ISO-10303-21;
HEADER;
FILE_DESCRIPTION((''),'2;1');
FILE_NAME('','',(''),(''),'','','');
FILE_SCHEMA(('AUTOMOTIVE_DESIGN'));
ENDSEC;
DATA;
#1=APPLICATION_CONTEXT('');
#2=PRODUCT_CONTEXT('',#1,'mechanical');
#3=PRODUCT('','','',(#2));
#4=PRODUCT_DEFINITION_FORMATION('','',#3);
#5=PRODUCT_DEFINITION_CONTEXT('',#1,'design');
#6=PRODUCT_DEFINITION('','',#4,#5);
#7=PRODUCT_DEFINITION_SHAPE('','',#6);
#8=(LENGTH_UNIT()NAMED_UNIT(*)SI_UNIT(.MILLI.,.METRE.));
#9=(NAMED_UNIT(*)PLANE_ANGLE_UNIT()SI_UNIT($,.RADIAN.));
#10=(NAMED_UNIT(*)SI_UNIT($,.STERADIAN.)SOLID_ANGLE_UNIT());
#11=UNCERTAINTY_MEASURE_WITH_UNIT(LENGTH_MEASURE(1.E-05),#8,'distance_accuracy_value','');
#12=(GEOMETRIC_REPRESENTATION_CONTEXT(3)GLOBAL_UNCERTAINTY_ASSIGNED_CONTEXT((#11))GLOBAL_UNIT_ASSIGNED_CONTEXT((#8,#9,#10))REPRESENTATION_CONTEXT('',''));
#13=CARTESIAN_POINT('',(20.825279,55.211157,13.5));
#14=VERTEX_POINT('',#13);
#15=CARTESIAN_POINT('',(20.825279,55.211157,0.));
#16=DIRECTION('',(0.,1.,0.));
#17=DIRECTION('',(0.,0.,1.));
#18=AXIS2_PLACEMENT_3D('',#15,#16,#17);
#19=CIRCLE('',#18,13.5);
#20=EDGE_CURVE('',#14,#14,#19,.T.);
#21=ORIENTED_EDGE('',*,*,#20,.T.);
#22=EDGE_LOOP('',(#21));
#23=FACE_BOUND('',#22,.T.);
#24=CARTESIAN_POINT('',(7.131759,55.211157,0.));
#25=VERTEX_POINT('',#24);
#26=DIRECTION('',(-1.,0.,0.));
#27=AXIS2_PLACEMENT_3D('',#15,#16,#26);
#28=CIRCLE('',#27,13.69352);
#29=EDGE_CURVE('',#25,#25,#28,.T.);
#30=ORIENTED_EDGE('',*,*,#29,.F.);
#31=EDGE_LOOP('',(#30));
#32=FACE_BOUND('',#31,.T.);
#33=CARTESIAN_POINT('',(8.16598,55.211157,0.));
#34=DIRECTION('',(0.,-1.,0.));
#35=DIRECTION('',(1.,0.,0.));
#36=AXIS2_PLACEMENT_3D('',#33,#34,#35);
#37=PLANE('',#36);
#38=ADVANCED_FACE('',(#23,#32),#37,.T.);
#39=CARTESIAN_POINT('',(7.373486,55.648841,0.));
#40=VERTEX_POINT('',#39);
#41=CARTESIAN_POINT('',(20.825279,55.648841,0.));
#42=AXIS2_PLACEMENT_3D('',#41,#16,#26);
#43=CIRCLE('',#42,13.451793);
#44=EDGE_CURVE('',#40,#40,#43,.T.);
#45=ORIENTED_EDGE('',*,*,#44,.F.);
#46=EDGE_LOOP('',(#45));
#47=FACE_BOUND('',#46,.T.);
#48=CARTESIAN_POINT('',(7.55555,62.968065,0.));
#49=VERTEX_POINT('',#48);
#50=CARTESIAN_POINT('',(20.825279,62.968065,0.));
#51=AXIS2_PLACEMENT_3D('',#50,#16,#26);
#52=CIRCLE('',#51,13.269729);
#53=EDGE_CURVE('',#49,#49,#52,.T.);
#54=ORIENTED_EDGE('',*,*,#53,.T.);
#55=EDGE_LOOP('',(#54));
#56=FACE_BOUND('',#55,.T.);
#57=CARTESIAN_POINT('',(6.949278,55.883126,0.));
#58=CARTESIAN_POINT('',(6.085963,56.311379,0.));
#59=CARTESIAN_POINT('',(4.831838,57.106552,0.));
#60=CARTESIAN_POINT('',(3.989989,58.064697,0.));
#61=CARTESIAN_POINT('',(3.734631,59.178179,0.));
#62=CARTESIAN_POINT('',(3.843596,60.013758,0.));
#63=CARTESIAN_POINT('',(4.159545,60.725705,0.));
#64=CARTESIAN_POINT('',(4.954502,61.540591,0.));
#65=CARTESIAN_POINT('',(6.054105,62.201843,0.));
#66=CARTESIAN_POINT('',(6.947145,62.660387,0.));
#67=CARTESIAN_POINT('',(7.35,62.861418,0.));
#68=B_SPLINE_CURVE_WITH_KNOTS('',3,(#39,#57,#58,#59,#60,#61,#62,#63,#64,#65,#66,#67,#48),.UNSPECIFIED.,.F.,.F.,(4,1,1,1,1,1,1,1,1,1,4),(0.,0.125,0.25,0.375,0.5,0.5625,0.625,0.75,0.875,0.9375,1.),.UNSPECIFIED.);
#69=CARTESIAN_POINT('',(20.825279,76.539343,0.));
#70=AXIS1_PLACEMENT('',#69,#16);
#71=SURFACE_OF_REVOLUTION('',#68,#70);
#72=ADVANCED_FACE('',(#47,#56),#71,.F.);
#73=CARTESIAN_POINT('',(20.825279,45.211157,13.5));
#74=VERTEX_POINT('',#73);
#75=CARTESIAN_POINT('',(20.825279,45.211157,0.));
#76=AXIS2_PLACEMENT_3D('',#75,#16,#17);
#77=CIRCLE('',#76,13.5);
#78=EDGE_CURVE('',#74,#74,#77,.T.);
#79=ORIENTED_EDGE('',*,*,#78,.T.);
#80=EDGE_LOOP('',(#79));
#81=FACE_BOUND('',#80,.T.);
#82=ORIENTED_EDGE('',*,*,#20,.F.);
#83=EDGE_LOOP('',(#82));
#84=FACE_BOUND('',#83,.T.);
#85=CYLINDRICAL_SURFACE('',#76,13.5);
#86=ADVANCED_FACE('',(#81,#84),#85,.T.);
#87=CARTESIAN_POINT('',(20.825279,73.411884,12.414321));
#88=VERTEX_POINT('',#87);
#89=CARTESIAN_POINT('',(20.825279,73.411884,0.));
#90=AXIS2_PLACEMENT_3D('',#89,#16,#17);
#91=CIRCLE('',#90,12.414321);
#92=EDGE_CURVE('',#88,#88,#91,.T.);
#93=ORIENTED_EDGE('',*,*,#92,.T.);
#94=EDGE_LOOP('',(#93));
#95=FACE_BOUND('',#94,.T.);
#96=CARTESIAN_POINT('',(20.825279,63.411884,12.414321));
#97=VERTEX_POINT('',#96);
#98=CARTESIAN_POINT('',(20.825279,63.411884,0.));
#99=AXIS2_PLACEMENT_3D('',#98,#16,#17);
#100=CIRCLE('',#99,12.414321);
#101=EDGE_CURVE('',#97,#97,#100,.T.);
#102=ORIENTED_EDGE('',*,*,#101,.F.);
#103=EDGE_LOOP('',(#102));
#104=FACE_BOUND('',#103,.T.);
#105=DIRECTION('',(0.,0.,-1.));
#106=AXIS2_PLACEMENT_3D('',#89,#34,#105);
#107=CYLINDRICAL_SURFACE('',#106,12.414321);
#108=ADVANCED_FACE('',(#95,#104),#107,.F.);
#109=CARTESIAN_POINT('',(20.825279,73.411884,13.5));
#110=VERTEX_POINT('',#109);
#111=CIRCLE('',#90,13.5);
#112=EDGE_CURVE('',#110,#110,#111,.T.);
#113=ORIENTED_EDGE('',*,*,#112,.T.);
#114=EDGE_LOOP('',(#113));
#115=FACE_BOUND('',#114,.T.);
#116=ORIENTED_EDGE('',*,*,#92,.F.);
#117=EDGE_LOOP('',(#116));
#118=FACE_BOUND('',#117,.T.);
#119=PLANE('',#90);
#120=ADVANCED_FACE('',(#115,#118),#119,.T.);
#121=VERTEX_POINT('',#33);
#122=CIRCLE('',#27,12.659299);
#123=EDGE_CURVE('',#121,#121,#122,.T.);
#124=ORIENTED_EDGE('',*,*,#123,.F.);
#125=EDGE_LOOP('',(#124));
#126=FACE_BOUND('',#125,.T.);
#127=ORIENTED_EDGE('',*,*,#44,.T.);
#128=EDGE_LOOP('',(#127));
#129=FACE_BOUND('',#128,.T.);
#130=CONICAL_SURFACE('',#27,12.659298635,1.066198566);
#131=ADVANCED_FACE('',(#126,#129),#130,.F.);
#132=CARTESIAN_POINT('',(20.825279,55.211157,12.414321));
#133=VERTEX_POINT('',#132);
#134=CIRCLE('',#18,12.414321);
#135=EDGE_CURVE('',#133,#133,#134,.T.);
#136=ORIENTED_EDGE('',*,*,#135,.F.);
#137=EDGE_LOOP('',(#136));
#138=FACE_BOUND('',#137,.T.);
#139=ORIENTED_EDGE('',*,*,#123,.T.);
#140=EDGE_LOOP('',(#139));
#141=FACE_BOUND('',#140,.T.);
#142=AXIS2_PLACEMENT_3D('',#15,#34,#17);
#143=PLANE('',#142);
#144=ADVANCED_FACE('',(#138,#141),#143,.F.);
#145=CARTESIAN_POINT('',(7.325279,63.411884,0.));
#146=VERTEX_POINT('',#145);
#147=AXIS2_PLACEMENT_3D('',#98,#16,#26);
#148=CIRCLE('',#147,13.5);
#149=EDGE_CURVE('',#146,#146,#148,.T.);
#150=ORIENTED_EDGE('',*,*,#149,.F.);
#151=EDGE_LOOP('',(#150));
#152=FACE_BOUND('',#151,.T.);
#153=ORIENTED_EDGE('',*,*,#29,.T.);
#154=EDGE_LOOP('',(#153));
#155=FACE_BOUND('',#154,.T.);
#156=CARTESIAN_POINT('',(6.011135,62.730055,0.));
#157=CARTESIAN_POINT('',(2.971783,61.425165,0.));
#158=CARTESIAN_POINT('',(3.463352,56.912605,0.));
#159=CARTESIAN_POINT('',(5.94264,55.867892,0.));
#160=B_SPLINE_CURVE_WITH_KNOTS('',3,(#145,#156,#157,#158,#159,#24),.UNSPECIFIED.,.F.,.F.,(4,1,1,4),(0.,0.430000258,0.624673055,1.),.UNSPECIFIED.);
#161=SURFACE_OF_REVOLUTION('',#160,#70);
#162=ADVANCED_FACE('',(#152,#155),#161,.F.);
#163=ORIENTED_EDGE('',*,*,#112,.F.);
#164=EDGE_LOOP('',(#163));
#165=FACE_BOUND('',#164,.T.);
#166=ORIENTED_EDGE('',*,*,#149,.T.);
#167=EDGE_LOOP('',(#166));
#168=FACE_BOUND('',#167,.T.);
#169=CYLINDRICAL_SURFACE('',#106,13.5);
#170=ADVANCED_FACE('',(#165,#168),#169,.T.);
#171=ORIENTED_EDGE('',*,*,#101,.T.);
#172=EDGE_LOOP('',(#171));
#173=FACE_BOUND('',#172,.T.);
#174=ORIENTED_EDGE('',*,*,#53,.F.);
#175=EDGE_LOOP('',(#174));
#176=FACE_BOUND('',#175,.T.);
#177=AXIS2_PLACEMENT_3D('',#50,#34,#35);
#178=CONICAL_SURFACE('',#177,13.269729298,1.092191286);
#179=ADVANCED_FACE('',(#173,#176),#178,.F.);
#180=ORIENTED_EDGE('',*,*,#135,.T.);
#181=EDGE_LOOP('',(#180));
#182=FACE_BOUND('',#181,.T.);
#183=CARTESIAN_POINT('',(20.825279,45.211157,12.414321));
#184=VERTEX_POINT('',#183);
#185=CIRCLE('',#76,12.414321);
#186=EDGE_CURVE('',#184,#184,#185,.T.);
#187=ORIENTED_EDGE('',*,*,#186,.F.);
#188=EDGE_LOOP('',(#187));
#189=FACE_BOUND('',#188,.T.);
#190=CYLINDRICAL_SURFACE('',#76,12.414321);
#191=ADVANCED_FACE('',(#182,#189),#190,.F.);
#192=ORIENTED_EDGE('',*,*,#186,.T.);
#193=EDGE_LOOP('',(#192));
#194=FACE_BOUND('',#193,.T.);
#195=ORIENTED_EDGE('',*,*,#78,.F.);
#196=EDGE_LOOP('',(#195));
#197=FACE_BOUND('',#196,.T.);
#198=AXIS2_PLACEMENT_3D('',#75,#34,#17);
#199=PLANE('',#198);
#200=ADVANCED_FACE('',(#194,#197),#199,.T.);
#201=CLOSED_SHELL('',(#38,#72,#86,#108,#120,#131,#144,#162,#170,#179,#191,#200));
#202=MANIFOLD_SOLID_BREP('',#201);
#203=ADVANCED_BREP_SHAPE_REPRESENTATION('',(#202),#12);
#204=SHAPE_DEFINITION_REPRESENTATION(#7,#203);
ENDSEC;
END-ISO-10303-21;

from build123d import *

# Parameters (mm, degrees)
SKETCH2_R           = 13.5
SKETCH2_R_2         = 12.414321286
BOSS_EXTRUDE1_DEPTH = 10


with BuildPart() as part:
    # Sketch1 → Revolve1 (revolve)
    with BuildSketch(Plane.XY):
        with BuildLine():
            Line((7.325278854, 63.411883954), (8.410957568, 63.411883954))
            Line((8.410957568, 63.411883954), (7.555549556, 62.968064842))
            add(Edge.make_bspline(
                [(7.555549556, 62.968064842), (7.34999991, 62.861417651), (6.947144673, 62.660387479), (6.05410487, 62.201842629), (4.95450234, 61.540590874), (4.15954484, 60.725704583), (3.843595581, 60.013758398), (3.734630504, 59.178179351), (3.989989442, 58.064696871), (4.831837818, 57.106551686), (6.08596344, 56.311379341), (6.949277865, 55.883126275), (7.373486281, 55.648841265)],
                knots=[0, 0, 0, 0, 0.0625, 0.125, 0.25, 0.375, 0.4375, 0.5, 0.625, 0.75, 0.875, 1, 1, 1, 1], degree=3))
            Line((7.373486281, 55.648841265), (8.165980219, 55.21115676))
            Line((8.165980219, 55.21115676), (7.131758595, 55.21115676))
            add(Edge.make_bspline(
                [(7.325278854, 63.411883954), (6.011135244, 62.730054884), (2.971783405, 61.4251647), (3.46335157, 56.912604996), (5.942640085, 55.867892063), (7.131758595, 55.21115676)],
                knots=[0, 0, 0, 0, 0.430000258, 0.624673055, 1, 1, 1, 1], degree=3))
        make_face()
    revolve(axis=Axis((20.825278854, 76.539342874, 0), (0, -1, 0)))

    # Sketch2 → Boss-Extrude1 (add)
    with BuildSketch(Plane(origin=(0, 63.411883954, 0), x_dir=(1, 0, 0), z_dir=(0, 1, 0))):
        with Locations(Location((20.825278854, 0, 0), (0, 0, 180))):
            Circle(SKETCH2_R)
        with Locations(Location((20.825278854, 0, 0), (0, 0, 270))):
            Circle(SKETCH2_R_2, mode=Mode.SUBTRACT)
    boss_extrude1 = extrude(amount=BOSS_EXTRUDE1_DEPTH)

    # Mirror1: Boss-Extrude1 across plane
    add(boss_extrude1.mirror(Plane.ZX.offset(59.311520357)))


solid = part.part
